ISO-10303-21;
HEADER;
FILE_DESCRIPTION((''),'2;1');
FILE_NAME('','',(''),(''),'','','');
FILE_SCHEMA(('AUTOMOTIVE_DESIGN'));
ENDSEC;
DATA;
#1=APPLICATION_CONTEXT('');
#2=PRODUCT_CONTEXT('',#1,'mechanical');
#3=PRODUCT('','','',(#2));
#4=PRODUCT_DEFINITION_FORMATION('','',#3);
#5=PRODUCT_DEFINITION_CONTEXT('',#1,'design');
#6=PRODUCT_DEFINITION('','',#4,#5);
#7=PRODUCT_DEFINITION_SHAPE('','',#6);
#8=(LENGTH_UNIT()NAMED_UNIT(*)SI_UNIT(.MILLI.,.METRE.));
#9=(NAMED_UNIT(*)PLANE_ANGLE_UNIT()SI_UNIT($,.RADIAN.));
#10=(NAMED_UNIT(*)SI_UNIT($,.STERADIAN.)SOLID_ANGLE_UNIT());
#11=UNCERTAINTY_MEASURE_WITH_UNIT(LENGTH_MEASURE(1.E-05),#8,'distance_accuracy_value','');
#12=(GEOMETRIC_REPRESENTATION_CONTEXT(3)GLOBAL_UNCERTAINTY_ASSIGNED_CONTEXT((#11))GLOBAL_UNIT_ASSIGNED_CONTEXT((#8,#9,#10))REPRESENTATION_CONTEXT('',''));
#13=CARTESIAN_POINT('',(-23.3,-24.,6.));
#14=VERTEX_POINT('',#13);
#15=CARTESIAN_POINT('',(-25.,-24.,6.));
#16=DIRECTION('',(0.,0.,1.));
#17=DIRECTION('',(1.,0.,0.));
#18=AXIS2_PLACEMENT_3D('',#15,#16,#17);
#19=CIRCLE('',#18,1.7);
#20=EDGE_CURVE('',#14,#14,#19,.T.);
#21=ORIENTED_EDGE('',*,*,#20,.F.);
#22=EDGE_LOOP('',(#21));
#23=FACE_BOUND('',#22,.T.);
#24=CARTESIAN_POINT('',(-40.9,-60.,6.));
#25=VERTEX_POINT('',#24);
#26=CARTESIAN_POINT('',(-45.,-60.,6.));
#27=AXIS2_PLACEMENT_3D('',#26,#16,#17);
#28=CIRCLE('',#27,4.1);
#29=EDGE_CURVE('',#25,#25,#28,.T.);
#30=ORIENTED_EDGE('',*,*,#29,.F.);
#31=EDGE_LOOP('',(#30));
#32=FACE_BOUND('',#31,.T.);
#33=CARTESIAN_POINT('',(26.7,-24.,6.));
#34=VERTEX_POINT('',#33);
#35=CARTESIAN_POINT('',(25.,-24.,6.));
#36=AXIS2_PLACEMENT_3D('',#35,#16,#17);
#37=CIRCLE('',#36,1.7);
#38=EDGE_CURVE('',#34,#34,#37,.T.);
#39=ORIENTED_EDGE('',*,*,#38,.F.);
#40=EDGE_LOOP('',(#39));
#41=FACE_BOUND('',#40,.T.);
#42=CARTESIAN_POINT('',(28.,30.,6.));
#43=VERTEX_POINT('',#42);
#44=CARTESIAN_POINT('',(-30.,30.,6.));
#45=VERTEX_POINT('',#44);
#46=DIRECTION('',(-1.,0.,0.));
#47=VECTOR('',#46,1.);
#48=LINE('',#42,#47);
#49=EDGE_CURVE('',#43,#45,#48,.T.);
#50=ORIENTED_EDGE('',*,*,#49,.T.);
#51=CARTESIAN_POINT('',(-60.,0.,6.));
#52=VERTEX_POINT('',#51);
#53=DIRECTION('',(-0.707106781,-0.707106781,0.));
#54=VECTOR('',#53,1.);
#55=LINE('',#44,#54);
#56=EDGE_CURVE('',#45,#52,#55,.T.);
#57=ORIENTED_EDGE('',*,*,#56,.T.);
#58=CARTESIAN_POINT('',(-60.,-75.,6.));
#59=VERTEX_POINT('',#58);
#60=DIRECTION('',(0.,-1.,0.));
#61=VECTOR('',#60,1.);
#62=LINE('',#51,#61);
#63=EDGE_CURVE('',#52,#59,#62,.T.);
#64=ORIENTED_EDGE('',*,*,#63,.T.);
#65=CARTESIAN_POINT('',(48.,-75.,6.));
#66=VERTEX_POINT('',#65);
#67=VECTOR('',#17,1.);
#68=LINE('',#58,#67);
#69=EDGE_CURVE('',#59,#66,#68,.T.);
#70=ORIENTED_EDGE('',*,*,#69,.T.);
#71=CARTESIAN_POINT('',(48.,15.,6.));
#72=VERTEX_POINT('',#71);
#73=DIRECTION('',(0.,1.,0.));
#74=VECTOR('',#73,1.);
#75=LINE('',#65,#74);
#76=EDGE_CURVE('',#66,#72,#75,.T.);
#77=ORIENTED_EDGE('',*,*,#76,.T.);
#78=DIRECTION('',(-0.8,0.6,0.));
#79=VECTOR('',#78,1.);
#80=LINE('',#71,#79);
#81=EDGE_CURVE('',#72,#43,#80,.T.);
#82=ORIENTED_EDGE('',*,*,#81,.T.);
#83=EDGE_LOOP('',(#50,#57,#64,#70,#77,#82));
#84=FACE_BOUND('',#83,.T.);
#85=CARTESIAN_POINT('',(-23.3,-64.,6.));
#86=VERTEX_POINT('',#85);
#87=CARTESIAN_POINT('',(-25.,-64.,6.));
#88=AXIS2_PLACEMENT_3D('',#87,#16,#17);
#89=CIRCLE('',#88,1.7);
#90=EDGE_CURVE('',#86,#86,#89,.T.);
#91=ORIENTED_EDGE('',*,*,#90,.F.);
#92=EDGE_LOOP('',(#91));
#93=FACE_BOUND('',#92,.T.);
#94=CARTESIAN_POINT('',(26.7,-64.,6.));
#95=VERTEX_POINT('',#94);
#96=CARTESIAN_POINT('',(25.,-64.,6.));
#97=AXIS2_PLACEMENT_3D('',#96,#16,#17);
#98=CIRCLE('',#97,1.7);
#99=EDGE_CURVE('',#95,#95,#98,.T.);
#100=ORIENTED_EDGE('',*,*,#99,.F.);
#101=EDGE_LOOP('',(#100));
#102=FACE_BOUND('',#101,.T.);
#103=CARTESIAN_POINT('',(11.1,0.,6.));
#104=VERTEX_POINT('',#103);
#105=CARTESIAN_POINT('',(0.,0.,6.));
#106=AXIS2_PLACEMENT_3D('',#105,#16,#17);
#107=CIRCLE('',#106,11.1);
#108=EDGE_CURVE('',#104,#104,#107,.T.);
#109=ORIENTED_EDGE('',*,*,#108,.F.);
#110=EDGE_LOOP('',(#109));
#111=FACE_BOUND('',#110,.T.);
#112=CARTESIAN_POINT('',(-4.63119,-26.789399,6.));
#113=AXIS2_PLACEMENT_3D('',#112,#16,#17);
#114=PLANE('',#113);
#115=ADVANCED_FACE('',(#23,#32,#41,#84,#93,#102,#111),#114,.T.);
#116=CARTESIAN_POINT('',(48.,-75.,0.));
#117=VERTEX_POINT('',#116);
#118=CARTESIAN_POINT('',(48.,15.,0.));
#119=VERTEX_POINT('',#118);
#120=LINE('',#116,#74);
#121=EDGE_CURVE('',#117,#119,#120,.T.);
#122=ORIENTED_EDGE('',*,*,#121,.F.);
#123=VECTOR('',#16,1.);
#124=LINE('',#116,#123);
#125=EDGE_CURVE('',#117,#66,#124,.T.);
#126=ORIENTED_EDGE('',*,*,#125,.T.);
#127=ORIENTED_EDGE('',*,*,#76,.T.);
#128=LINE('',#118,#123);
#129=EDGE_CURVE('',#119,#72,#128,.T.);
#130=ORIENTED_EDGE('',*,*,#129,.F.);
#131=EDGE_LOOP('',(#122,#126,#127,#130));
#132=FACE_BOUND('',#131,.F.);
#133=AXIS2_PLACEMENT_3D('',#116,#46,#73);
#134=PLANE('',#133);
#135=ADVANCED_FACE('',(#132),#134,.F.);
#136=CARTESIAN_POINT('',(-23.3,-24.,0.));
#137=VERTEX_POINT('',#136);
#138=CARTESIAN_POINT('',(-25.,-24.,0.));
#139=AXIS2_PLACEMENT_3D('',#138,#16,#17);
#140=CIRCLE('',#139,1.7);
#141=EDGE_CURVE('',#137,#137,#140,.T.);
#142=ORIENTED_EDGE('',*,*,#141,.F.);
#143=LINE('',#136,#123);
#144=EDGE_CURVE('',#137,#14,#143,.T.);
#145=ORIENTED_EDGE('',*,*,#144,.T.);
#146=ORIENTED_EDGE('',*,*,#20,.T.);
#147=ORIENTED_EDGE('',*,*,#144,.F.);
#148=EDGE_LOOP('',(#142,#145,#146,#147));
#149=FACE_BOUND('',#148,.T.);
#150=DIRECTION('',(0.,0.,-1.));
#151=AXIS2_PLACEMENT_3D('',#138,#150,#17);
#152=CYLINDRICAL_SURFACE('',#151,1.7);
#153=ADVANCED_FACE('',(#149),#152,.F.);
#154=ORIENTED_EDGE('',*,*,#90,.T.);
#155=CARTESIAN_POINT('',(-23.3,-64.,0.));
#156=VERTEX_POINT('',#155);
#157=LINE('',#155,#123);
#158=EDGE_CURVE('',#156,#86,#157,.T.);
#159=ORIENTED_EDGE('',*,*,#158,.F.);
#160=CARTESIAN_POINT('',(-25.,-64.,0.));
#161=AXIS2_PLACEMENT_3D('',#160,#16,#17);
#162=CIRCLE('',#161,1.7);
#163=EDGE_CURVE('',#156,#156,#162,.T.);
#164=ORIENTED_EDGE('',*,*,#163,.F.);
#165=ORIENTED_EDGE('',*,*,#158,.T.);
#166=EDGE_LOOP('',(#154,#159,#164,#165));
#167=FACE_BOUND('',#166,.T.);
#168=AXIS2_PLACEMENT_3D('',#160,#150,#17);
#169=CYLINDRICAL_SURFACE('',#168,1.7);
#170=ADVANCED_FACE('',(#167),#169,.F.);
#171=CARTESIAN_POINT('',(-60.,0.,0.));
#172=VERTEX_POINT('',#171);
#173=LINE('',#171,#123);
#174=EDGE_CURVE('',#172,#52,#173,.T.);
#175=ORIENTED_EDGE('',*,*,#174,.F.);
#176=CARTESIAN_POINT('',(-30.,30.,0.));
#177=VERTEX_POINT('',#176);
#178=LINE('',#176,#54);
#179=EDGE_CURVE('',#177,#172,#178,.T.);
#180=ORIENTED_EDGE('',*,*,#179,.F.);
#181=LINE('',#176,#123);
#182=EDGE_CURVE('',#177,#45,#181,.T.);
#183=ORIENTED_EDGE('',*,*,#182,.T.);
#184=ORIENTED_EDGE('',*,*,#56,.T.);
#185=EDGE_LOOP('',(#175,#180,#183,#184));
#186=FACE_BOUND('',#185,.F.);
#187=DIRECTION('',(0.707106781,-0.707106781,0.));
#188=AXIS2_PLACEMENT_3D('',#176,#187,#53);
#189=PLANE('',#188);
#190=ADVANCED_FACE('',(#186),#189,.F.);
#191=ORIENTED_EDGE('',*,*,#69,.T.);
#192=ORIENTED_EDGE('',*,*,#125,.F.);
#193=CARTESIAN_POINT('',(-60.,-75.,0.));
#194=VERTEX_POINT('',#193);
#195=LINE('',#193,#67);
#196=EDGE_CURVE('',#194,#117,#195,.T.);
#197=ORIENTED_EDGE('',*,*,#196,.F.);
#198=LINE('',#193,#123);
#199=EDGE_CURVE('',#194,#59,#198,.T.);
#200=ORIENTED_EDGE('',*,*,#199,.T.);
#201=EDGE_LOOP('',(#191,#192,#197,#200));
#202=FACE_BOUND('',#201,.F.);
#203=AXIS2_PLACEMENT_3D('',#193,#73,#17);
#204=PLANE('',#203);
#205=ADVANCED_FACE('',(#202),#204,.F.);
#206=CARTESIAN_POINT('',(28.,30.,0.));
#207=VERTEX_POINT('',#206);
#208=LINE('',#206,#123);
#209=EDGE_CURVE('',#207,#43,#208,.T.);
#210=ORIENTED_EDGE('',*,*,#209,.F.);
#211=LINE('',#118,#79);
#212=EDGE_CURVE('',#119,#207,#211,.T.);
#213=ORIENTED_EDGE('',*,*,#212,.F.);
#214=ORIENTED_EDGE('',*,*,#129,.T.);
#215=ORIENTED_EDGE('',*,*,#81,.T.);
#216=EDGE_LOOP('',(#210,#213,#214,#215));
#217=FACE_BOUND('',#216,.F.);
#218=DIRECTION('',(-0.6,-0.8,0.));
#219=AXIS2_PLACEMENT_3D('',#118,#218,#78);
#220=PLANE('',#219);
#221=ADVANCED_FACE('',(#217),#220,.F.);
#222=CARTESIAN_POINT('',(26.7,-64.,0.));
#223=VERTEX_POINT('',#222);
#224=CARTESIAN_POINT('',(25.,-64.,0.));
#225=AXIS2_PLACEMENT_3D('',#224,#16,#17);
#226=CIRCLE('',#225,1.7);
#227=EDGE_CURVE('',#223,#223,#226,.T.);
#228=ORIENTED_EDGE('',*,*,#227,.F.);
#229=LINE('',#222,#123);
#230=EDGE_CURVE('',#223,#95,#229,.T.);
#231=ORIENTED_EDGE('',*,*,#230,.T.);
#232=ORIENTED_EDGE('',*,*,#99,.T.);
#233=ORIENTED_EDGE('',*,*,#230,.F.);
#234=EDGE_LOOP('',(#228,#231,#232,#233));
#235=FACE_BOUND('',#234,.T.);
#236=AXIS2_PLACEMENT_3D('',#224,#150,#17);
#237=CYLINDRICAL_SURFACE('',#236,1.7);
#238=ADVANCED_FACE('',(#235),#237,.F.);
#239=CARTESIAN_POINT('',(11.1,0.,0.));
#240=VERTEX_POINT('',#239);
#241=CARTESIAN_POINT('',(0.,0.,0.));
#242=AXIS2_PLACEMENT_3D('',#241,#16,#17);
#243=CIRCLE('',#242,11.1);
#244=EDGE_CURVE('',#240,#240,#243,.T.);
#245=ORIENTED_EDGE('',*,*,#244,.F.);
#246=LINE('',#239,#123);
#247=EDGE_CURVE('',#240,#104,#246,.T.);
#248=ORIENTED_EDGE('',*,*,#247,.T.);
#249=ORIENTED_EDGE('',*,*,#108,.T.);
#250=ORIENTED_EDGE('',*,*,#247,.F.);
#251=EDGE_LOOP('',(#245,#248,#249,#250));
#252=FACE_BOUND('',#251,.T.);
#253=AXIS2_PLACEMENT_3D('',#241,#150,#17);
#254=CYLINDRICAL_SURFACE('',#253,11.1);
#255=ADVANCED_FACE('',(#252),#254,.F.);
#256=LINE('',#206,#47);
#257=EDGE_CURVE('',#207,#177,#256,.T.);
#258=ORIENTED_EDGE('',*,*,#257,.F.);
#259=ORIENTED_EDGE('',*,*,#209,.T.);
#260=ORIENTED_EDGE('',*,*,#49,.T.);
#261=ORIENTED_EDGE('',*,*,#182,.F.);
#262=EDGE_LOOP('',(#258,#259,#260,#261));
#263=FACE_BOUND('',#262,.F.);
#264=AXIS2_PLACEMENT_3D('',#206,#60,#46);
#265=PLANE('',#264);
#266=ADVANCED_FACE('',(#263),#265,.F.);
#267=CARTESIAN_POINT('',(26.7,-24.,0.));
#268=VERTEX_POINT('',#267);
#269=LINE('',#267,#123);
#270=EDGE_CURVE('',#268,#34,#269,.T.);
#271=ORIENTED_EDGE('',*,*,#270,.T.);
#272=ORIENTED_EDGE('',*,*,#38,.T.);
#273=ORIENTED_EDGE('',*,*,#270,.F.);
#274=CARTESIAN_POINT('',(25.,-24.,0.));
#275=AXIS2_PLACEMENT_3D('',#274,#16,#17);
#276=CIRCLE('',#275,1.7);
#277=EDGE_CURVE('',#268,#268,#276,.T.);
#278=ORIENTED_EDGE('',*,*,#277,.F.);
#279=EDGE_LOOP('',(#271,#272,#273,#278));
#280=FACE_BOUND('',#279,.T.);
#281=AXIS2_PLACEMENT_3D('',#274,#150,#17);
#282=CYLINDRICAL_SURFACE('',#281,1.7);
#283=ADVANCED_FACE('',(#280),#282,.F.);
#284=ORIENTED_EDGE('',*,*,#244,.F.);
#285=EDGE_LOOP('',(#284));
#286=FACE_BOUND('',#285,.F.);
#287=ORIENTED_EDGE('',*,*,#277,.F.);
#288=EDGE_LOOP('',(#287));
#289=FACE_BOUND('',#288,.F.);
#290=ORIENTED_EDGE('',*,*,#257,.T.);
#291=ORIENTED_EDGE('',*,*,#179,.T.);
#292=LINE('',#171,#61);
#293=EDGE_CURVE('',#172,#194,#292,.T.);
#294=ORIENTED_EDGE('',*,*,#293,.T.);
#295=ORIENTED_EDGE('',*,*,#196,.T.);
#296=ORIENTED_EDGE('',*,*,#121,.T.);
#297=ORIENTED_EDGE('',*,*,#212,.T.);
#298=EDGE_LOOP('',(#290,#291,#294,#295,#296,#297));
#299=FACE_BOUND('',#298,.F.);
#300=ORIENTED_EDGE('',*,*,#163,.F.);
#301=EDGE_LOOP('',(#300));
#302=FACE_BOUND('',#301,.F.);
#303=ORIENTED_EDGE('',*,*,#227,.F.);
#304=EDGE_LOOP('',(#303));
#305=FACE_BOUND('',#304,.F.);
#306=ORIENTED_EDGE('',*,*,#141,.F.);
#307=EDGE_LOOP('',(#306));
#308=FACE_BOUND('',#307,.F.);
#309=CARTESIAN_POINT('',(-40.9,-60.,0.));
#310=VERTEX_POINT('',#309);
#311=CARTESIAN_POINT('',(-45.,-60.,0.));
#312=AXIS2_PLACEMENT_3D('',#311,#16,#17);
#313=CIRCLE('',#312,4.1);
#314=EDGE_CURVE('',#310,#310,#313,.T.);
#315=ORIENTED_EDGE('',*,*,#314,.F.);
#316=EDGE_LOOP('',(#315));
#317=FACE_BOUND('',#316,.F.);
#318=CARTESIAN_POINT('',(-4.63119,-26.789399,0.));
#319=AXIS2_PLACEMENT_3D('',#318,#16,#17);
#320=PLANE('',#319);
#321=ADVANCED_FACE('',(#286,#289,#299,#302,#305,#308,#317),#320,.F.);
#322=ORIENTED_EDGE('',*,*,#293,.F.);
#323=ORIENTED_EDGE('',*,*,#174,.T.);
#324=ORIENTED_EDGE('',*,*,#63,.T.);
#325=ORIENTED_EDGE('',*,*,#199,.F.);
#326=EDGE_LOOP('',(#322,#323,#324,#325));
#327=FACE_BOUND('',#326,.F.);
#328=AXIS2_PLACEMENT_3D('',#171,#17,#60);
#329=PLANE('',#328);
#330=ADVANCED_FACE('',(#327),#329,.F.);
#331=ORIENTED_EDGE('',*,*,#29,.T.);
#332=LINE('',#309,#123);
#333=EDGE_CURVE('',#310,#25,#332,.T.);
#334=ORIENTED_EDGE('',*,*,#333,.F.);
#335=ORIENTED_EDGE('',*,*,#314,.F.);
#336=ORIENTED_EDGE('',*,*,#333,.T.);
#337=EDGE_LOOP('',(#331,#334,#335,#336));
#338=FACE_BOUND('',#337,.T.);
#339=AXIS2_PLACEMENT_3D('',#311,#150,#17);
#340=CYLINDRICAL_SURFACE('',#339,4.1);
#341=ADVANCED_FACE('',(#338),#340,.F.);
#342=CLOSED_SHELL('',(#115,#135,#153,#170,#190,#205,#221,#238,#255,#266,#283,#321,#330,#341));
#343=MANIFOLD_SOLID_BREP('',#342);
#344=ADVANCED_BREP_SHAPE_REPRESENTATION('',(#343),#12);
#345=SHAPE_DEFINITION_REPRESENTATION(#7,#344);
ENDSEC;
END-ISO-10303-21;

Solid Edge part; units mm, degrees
sketch "Sketch1" plane through (0, 0, 0) normal (0, 0, 1) x (1, 0, 0)
  line L0 (-60, -75) -> (48, -75)
  line L1 (48, -75) -> (48, 15)
  line L2 (48, 15) -> (28, 30)
  line L3 (28, 30) -> (-30, 30)
  line L4 (-30, 30) -> (-60, 0)
  line L5 (-60, 0) -> (-60, -75)
  circle A0 centre (0, 0) radius 11.1
  circle A1 centre (-45, -60) radius 4.1
  circle A2 centre (-25, -64) radius 1.7
  circle A3 centre (25, -64) radius 1.7
  circle A4 centre (-25, -24) radius 1.7
  circle A5 centre (25, -24) radius 1.7
extrude "Protrusion1" add sketch "Sketch1" along normal blind 6
